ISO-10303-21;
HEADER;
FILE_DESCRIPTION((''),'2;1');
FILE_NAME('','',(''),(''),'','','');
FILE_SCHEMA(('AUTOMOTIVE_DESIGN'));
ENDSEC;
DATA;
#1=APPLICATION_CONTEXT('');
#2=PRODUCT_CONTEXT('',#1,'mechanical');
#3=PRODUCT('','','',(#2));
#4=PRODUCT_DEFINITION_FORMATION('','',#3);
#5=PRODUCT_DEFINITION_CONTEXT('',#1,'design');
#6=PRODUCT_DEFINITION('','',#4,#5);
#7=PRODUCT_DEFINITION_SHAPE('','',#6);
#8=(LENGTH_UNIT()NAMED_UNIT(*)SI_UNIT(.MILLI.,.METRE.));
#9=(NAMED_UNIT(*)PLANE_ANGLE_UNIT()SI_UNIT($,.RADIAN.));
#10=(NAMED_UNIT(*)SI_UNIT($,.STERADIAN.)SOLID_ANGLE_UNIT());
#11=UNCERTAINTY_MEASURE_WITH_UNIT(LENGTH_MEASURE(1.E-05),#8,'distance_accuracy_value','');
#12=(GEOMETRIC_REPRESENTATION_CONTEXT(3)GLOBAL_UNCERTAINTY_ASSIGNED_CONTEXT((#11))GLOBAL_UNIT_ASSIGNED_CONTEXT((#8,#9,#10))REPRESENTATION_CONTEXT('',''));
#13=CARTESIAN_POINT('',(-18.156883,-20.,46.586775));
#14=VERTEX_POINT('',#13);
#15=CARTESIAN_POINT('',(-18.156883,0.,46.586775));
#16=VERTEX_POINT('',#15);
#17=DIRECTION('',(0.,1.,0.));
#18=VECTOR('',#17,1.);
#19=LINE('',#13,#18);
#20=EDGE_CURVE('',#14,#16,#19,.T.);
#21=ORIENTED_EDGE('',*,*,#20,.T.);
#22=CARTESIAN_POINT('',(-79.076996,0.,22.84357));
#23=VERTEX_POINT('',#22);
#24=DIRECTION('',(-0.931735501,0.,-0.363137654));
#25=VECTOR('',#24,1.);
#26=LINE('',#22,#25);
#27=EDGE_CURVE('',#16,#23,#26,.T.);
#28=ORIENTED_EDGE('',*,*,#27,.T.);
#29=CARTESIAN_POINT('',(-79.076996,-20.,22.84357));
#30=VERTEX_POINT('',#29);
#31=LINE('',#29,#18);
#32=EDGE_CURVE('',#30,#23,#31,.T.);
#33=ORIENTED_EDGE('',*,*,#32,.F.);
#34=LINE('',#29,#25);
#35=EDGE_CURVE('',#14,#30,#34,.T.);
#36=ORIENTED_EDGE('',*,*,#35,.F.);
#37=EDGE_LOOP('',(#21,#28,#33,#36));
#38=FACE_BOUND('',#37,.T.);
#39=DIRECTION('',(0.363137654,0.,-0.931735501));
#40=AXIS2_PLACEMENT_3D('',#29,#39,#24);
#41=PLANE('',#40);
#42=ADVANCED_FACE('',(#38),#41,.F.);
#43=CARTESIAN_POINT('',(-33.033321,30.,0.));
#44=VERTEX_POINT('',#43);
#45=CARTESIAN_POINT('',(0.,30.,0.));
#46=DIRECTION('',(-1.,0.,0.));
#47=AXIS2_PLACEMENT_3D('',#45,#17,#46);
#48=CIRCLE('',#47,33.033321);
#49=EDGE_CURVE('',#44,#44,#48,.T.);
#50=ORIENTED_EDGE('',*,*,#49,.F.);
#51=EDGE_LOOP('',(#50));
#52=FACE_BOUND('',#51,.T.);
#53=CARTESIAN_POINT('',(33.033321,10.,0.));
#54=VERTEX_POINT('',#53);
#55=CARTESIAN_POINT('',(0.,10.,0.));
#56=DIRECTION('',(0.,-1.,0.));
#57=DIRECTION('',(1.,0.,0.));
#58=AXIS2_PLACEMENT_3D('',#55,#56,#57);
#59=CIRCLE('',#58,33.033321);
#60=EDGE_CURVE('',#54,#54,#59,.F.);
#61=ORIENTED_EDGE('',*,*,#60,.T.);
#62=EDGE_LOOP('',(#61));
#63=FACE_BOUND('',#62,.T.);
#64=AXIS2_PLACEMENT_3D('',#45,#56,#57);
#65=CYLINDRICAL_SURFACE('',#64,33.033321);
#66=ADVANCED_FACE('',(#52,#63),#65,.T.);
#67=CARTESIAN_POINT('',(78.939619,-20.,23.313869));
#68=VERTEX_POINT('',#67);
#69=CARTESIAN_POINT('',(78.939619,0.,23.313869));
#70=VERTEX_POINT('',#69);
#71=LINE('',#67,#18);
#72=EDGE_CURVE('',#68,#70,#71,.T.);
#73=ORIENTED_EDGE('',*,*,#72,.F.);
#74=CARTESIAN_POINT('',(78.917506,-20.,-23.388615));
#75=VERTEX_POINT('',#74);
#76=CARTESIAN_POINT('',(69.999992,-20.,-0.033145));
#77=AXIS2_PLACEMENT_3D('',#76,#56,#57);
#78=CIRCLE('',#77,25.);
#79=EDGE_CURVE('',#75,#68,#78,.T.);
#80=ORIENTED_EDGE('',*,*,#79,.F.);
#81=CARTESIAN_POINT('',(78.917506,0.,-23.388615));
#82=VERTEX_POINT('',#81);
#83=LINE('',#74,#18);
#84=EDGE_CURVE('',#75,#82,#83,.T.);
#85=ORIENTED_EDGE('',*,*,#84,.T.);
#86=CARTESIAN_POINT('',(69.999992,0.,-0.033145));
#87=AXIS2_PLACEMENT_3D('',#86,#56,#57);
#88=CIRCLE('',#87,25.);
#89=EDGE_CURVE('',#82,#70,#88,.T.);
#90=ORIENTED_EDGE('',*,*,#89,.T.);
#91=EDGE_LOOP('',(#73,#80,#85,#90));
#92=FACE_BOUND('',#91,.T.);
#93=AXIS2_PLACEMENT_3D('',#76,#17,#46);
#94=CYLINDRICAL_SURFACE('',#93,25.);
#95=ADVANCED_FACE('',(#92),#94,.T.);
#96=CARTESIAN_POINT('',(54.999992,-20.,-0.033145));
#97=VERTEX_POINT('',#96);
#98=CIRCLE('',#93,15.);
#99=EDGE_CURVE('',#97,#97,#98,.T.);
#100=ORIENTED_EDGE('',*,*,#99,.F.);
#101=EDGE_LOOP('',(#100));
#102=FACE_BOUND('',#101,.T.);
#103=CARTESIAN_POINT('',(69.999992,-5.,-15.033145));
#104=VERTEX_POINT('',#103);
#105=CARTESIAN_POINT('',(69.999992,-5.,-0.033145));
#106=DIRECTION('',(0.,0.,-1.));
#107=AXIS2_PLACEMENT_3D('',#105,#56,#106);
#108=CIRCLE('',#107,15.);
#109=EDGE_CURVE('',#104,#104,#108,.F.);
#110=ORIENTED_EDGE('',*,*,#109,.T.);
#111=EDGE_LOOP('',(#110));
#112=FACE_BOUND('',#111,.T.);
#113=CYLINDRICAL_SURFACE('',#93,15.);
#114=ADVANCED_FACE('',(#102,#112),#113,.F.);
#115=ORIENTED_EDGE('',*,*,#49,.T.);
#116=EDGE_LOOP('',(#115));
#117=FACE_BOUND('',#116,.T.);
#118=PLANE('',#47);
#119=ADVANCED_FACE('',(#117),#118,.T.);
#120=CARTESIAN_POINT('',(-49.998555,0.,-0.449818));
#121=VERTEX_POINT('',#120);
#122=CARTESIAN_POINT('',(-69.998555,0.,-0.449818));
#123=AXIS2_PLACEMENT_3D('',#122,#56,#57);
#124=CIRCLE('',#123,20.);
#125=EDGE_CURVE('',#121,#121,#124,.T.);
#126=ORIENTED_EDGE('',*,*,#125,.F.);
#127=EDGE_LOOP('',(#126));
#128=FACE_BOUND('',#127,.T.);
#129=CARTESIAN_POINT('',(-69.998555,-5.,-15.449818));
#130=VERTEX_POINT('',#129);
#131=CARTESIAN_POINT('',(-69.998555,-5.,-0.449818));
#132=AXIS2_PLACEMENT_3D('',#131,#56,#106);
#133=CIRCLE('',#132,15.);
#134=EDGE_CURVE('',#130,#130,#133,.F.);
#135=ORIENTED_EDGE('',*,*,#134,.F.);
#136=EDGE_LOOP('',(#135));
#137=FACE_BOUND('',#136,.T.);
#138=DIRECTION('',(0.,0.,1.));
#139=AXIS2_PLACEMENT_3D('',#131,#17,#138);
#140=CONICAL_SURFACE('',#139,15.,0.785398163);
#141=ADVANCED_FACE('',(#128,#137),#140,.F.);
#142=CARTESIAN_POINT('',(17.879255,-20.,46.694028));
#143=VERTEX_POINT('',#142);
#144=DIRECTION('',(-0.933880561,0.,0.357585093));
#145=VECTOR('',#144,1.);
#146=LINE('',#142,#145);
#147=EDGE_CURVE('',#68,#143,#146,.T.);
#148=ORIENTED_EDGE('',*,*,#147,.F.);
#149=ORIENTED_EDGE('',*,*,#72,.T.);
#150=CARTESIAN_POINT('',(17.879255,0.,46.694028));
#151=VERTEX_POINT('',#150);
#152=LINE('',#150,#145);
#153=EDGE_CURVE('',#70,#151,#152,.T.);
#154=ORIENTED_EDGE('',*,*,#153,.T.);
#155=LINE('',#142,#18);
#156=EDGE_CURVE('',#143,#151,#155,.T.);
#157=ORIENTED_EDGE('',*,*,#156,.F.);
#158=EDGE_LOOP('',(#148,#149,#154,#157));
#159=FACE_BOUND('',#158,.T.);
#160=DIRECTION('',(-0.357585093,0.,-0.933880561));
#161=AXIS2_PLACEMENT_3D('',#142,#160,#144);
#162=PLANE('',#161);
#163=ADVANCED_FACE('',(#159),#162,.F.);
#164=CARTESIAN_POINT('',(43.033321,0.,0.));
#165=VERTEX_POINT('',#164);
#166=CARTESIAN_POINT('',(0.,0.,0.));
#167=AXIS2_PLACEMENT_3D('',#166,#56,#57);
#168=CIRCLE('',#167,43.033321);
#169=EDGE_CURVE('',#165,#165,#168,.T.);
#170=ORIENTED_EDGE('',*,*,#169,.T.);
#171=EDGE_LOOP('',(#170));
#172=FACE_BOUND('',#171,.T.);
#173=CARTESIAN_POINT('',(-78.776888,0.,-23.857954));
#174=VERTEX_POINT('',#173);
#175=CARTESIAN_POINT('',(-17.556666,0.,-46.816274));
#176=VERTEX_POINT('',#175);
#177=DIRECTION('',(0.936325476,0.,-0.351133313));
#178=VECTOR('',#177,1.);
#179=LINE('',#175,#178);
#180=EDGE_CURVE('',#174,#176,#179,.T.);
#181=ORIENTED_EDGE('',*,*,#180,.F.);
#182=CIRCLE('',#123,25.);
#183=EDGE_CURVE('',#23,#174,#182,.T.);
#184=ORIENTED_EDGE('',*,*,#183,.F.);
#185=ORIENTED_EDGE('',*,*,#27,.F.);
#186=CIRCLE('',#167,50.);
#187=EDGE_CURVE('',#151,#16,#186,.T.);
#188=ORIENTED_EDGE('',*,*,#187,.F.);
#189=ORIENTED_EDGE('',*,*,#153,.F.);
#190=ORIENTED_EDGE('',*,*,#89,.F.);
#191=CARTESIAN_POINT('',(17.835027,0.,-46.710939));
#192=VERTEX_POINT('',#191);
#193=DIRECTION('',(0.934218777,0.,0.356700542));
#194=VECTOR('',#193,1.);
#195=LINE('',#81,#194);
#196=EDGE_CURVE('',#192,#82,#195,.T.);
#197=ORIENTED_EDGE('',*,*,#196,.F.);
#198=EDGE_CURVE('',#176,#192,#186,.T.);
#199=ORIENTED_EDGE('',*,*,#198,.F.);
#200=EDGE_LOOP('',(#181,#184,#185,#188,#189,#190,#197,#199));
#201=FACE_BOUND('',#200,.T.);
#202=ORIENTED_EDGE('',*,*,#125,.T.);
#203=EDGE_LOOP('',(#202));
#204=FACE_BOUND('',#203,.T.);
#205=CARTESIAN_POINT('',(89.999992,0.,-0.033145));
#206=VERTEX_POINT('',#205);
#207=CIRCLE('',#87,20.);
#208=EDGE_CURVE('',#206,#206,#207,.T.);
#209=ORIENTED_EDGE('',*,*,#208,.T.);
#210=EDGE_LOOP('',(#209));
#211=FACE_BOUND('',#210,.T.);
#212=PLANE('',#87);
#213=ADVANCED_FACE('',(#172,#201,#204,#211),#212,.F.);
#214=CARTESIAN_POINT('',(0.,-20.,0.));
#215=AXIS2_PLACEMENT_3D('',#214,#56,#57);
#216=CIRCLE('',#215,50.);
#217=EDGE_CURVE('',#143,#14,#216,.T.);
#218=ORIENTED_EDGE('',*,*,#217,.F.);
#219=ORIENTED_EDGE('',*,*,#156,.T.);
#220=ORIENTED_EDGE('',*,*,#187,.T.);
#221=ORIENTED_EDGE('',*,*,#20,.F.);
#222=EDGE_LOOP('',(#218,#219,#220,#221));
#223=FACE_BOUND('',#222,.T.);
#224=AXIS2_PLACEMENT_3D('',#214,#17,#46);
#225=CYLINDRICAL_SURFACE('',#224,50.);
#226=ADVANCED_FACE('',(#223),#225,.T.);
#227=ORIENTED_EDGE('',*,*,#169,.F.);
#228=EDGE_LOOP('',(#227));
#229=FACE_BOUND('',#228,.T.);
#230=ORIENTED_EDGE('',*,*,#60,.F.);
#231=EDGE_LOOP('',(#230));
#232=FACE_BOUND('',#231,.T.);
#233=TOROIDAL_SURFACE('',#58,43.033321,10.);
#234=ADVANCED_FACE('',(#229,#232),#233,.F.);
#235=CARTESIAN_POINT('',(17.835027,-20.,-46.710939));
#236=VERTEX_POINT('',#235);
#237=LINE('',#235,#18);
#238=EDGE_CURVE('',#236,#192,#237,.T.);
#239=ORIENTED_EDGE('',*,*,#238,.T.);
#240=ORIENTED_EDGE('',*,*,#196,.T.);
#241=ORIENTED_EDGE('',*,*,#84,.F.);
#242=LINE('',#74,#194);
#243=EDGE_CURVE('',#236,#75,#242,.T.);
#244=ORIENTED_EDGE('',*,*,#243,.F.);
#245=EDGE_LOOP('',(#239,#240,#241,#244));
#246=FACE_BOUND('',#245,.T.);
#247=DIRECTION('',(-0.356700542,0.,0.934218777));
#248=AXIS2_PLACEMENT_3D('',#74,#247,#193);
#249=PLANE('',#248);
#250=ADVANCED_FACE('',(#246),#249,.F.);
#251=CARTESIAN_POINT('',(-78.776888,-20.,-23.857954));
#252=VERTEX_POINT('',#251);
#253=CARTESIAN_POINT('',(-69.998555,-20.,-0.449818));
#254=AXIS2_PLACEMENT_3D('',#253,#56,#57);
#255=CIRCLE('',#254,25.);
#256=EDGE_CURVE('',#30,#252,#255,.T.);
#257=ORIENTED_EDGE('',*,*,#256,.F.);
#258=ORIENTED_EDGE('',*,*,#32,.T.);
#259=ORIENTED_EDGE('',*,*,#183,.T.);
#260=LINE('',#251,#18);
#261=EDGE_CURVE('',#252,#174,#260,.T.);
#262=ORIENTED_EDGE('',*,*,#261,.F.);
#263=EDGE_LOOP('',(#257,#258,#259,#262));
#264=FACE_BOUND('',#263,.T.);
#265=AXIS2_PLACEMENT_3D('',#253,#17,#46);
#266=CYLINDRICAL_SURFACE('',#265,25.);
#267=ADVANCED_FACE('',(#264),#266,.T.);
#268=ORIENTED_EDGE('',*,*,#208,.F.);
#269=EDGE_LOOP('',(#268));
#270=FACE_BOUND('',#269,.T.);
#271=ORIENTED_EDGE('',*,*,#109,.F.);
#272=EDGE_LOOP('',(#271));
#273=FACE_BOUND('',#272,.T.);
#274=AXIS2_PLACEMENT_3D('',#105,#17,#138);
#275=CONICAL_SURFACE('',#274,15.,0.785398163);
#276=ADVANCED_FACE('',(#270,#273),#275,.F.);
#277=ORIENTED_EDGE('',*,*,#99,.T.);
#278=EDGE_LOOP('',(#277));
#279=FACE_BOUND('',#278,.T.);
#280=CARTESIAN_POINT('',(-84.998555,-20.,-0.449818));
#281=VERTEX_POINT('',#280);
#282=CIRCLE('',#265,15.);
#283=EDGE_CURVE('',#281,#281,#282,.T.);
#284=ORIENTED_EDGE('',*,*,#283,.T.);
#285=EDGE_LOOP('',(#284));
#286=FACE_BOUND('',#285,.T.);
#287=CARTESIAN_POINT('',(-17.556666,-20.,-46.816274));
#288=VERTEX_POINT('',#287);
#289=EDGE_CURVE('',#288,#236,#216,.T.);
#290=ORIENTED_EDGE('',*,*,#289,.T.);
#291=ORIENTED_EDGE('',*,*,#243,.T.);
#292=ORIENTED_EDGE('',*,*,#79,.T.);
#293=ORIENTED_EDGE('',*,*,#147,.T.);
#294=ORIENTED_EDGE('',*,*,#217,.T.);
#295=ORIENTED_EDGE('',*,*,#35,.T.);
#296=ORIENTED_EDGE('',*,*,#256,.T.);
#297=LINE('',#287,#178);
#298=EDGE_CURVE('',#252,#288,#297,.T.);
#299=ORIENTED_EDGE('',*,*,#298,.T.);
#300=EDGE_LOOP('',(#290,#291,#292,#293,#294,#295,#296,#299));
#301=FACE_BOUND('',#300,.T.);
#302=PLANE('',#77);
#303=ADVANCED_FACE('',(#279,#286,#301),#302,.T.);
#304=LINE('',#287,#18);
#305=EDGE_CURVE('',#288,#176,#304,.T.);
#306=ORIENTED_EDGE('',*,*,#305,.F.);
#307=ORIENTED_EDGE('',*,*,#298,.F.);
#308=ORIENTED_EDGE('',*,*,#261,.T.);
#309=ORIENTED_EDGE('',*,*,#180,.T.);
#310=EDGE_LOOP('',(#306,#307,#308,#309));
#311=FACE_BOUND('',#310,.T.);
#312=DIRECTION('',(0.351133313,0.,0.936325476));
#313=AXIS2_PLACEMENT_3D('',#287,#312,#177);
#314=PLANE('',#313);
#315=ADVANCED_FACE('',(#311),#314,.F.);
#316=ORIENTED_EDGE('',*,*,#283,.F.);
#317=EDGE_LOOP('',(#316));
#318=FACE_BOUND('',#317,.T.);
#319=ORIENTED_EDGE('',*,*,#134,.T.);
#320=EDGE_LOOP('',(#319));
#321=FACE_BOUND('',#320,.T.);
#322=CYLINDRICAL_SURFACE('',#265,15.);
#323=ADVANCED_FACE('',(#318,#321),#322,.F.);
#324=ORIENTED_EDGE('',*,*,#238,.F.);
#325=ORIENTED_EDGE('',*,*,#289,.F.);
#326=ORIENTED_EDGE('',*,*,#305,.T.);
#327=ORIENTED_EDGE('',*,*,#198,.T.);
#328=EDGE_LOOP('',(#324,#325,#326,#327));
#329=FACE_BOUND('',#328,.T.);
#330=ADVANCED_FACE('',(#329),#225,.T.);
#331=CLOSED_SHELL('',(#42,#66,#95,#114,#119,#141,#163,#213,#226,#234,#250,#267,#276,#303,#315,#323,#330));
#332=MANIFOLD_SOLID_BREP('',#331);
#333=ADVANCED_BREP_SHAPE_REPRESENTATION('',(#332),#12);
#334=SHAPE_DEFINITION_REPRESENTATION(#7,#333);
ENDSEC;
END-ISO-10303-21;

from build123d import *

# Parameters (mm, degrees)
EXTRUDE_316_DEPTH   = 20
SKETCH_2_R          = 33.033320501
EXTRUDE_1_DEPTH     = 30
SKETCH_3_R          = 15
CUT_EXTRUDE_1_DEPTH = 112.46747736
FILLET_1_R          = 10
CHAMFER_1_SIZE      = 5


with BuildPart() as part:
    # Эскиз1 → Extrude 316 (new body)
    with BuildSketch(Plane(origin=(0, 0, 0), x_dir=(-1, 0, 0), z_dir=(0, -1, 0))):
        with BuildLine():
            Line((-78.917505692, 23.388614652), (-17.835027079, 46.710938859))
            ThreePointArc((-17.835027079, 46.710938859), (-0.148812417, 49.999778548), (17.556665634, 46.816273793))
            Line((17.556665634, 46.816273793), (78.776887546, 23.857954408))
            ThreePointArc((78.776887546, 23.857954408), (94.998038561, 0.610466623), (79.076996078, -22.84357002))
            Line((79.076996078, -22.84357002), (18.156882698, -46.586775062))
            ThreePointArc((18.156882698, -46.586775062), (0.148812417, -49.999778548), (-17.879254632, -46.694028031))
            Line((-17.879254632, -46.694028031), (-78.939619469, -23.313868793))
            ThreePointArc((-78.939619469, -23.313868793), (-94.99998935, 0.044982802), (-78.917505692, 23.388614652))
        make_face()
    extrude(amount=EXTRUDE_316_DEPTH)

    # Эскиз2 → Бобышка-Вытянуть1 (add)
    with BuildSketch(Plane(origin=(0, 0, 0), x_dir=(-1, 0, 0), z_dir=(0, 1, 0))):
        with Locations(Location((0, 0, 0), (0, 0, 180))):
            Circle(SKETCH_2_R)
    extrude(amount=EXTRUDE_1_DEPTH)

    # Эскиз3 → Вырез-Вытянуть1 (cut, through all)
    with BuildSketch(Plane(origin=(0, 0, 0), x_dir=(-1, 0, 0), z_dir=(0, 1, 0))):
        with Locations((-69.999992153, -0.033145222)):
            Circle(SKETCH_3_R)
        with Locations((69.998554729, -0.449817511)):
            Circle(SKETCH_3_R)
    extrude(amount=-CUT_EXTRUDE_1_DEPTH, mode=Mode.SUBTRACT)

    # Скругление1
    fillet_1_edges = [part.edges().sort_by_distance(p)[0] for p in [
        (-33.033320501, 0, 0),
    ]]
    fillet(fillet_1_edges, radius=FILLET_1_R)

    # Фаска1
    chamfer_1_edges = [part.edges().sort_by_distance(p)[0] for p in [
        (84.999992153, 0, -0.033145222),
        (-54.998554729, 0, -0.449817511),
    ]]
    chamfer(chamfer_1_edges, length=CHAMFER_1_SIZE)


solid = part.part
